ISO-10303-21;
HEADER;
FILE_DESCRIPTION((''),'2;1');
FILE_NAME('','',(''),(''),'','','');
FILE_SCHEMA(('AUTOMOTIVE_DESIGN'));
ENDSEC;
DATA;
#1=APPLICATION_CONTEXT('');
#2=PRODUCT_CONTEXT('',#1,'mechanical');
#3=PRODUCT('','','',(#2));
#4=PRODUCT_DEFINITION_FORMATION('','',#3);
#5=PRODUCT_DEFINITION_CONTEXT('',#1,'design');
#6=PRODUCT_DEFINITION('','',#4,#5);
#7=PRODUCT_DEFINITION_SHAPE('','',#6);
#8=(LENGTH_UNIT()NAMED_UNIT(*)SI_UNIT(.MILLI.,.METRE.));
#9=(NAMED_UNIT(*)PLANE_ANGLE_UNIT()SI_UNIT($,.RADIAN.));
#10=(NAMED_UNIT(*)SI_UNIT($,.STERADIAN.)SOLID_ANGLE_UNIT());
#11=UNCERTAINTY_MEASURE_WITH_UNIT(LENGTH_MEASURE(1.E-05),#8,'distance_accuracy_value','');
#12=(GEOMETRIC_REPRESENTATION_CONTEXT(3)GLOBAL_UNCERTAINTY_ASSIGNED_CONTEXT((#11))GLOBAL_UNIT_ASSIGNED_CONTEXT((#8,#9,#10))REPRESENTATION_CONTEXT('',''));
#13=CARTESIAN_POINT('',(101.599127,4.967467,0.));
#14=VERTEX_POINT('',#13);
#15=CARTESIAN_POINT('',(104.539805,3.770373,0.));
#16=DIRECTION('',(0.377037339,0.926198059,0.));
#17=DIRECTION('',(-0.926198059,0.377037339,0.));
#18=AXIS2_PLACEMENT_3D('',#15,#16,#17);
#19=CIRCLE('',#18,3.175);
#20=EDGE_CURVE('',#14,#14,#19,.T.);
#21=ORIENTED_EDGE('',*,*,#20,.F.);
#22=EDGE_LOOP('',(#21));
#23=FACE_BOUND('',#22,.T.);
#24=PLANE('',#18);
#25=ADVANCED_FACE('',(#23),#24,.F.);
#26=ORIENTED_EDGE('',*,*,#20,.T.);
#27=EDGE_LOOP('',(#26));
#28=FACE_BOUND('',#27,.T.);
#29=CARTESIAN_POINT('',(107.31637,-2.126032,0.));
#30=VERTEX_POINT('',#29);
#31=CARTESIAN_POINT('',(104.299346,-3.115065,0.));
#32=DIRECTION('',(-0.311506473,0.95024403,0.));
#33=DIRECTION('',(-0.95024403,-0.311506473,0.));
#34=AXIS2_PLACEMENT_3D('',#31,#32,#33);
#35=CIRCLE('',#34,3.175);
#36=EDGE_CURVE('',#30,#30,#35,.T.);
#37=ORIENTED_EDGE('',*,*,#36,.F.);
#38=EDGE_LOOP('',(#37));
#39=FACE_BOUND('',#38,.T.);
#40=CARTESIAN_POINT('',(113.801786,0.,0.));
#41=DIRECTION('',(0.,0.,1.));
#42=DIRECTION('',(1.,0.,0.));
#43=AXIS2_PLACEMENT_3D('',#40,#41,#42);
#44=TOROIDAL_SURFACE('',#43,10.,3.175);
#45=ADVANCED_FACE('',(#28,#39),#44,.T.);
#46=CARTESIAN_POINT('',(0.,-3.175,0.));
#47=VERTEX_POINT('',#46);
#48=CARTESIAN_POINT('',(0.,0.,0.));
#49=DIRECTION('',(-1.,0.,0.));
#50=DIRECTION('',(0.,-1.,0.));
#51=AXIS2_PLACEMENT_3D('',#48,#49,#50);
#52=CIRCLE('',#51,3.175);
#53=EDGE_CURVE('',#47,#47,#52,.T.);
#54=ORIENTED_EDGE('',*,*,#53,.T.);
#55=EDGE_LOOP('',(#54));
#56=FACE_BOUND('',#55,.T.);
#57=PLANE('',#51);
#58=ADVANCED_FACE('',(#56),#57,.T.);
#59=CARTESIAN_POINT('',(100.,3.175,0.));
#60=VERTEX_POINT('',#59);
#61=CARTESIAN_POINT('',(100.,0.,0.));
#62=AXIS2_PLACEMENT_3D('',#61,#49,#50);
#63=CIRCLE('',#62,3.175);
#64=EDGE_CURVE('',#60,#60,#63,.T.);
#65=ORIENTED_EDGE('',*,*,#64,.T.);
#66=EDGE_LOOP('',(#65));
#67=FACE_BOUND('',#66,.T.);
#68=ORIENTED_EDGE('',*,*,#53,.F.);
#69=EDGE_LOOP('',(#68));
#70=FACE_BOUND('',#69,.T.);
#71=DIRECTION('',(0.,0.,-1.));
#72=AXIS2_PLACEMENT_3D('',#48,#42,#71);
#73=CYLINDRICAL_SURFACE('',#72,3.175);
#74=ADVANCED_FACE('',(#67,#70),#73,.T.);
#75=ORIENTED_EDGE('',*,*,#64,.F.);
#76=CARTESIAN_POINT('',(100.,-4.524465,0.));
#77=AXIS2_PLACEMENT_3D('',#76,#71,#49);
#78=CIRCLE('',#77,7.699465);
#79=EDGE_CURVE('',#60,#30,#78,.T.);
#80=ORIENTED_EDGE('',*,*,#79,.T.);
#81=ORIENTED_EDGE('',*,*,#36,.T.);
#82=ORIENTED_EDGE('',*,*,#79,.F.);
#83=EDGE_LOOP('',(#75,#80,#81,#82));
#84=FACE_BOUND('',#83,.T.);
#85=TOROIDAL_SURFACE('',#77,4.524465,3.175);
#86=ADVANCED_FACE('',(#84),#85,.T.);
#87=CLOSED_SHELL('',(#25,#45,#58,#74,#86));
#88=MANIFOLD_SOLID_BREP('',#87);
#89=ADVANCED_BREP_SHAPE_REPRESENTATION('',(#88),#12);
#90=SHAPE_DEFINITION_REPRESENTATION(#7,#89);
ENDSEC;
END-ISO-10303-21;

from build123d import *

# Parameters (mm, degrees)
SWEEP2_PROFILE_R = 3.175


with BuildPart() as part:
    # Sweep2: sweep along a path in Sketch1
    with BuildLine(Plane.XY) as sweep2_path:
        Line((0, 0), (100, 0))
        ThreePointArc((100, 0), (102.654618684, -0.860616909), (104.299345667, -3.115064729))
        ThreePointArc((104.299345667, -3.115064729), (123.795693487, -0.349016587), (104.539805378, 3.770373388))
    # Sweep2 profile (on start of the path) → Sweep2 (sweep)
    with BuildSketch(Plane(origin=(0, 0, 0), x_dir=(0, 0, 1), z_dir=(1, 0, 0))):
        Circle(SWEEP2_PROFILE_R)
    sweep(path=sweep2_path.line)


solid = part.part
